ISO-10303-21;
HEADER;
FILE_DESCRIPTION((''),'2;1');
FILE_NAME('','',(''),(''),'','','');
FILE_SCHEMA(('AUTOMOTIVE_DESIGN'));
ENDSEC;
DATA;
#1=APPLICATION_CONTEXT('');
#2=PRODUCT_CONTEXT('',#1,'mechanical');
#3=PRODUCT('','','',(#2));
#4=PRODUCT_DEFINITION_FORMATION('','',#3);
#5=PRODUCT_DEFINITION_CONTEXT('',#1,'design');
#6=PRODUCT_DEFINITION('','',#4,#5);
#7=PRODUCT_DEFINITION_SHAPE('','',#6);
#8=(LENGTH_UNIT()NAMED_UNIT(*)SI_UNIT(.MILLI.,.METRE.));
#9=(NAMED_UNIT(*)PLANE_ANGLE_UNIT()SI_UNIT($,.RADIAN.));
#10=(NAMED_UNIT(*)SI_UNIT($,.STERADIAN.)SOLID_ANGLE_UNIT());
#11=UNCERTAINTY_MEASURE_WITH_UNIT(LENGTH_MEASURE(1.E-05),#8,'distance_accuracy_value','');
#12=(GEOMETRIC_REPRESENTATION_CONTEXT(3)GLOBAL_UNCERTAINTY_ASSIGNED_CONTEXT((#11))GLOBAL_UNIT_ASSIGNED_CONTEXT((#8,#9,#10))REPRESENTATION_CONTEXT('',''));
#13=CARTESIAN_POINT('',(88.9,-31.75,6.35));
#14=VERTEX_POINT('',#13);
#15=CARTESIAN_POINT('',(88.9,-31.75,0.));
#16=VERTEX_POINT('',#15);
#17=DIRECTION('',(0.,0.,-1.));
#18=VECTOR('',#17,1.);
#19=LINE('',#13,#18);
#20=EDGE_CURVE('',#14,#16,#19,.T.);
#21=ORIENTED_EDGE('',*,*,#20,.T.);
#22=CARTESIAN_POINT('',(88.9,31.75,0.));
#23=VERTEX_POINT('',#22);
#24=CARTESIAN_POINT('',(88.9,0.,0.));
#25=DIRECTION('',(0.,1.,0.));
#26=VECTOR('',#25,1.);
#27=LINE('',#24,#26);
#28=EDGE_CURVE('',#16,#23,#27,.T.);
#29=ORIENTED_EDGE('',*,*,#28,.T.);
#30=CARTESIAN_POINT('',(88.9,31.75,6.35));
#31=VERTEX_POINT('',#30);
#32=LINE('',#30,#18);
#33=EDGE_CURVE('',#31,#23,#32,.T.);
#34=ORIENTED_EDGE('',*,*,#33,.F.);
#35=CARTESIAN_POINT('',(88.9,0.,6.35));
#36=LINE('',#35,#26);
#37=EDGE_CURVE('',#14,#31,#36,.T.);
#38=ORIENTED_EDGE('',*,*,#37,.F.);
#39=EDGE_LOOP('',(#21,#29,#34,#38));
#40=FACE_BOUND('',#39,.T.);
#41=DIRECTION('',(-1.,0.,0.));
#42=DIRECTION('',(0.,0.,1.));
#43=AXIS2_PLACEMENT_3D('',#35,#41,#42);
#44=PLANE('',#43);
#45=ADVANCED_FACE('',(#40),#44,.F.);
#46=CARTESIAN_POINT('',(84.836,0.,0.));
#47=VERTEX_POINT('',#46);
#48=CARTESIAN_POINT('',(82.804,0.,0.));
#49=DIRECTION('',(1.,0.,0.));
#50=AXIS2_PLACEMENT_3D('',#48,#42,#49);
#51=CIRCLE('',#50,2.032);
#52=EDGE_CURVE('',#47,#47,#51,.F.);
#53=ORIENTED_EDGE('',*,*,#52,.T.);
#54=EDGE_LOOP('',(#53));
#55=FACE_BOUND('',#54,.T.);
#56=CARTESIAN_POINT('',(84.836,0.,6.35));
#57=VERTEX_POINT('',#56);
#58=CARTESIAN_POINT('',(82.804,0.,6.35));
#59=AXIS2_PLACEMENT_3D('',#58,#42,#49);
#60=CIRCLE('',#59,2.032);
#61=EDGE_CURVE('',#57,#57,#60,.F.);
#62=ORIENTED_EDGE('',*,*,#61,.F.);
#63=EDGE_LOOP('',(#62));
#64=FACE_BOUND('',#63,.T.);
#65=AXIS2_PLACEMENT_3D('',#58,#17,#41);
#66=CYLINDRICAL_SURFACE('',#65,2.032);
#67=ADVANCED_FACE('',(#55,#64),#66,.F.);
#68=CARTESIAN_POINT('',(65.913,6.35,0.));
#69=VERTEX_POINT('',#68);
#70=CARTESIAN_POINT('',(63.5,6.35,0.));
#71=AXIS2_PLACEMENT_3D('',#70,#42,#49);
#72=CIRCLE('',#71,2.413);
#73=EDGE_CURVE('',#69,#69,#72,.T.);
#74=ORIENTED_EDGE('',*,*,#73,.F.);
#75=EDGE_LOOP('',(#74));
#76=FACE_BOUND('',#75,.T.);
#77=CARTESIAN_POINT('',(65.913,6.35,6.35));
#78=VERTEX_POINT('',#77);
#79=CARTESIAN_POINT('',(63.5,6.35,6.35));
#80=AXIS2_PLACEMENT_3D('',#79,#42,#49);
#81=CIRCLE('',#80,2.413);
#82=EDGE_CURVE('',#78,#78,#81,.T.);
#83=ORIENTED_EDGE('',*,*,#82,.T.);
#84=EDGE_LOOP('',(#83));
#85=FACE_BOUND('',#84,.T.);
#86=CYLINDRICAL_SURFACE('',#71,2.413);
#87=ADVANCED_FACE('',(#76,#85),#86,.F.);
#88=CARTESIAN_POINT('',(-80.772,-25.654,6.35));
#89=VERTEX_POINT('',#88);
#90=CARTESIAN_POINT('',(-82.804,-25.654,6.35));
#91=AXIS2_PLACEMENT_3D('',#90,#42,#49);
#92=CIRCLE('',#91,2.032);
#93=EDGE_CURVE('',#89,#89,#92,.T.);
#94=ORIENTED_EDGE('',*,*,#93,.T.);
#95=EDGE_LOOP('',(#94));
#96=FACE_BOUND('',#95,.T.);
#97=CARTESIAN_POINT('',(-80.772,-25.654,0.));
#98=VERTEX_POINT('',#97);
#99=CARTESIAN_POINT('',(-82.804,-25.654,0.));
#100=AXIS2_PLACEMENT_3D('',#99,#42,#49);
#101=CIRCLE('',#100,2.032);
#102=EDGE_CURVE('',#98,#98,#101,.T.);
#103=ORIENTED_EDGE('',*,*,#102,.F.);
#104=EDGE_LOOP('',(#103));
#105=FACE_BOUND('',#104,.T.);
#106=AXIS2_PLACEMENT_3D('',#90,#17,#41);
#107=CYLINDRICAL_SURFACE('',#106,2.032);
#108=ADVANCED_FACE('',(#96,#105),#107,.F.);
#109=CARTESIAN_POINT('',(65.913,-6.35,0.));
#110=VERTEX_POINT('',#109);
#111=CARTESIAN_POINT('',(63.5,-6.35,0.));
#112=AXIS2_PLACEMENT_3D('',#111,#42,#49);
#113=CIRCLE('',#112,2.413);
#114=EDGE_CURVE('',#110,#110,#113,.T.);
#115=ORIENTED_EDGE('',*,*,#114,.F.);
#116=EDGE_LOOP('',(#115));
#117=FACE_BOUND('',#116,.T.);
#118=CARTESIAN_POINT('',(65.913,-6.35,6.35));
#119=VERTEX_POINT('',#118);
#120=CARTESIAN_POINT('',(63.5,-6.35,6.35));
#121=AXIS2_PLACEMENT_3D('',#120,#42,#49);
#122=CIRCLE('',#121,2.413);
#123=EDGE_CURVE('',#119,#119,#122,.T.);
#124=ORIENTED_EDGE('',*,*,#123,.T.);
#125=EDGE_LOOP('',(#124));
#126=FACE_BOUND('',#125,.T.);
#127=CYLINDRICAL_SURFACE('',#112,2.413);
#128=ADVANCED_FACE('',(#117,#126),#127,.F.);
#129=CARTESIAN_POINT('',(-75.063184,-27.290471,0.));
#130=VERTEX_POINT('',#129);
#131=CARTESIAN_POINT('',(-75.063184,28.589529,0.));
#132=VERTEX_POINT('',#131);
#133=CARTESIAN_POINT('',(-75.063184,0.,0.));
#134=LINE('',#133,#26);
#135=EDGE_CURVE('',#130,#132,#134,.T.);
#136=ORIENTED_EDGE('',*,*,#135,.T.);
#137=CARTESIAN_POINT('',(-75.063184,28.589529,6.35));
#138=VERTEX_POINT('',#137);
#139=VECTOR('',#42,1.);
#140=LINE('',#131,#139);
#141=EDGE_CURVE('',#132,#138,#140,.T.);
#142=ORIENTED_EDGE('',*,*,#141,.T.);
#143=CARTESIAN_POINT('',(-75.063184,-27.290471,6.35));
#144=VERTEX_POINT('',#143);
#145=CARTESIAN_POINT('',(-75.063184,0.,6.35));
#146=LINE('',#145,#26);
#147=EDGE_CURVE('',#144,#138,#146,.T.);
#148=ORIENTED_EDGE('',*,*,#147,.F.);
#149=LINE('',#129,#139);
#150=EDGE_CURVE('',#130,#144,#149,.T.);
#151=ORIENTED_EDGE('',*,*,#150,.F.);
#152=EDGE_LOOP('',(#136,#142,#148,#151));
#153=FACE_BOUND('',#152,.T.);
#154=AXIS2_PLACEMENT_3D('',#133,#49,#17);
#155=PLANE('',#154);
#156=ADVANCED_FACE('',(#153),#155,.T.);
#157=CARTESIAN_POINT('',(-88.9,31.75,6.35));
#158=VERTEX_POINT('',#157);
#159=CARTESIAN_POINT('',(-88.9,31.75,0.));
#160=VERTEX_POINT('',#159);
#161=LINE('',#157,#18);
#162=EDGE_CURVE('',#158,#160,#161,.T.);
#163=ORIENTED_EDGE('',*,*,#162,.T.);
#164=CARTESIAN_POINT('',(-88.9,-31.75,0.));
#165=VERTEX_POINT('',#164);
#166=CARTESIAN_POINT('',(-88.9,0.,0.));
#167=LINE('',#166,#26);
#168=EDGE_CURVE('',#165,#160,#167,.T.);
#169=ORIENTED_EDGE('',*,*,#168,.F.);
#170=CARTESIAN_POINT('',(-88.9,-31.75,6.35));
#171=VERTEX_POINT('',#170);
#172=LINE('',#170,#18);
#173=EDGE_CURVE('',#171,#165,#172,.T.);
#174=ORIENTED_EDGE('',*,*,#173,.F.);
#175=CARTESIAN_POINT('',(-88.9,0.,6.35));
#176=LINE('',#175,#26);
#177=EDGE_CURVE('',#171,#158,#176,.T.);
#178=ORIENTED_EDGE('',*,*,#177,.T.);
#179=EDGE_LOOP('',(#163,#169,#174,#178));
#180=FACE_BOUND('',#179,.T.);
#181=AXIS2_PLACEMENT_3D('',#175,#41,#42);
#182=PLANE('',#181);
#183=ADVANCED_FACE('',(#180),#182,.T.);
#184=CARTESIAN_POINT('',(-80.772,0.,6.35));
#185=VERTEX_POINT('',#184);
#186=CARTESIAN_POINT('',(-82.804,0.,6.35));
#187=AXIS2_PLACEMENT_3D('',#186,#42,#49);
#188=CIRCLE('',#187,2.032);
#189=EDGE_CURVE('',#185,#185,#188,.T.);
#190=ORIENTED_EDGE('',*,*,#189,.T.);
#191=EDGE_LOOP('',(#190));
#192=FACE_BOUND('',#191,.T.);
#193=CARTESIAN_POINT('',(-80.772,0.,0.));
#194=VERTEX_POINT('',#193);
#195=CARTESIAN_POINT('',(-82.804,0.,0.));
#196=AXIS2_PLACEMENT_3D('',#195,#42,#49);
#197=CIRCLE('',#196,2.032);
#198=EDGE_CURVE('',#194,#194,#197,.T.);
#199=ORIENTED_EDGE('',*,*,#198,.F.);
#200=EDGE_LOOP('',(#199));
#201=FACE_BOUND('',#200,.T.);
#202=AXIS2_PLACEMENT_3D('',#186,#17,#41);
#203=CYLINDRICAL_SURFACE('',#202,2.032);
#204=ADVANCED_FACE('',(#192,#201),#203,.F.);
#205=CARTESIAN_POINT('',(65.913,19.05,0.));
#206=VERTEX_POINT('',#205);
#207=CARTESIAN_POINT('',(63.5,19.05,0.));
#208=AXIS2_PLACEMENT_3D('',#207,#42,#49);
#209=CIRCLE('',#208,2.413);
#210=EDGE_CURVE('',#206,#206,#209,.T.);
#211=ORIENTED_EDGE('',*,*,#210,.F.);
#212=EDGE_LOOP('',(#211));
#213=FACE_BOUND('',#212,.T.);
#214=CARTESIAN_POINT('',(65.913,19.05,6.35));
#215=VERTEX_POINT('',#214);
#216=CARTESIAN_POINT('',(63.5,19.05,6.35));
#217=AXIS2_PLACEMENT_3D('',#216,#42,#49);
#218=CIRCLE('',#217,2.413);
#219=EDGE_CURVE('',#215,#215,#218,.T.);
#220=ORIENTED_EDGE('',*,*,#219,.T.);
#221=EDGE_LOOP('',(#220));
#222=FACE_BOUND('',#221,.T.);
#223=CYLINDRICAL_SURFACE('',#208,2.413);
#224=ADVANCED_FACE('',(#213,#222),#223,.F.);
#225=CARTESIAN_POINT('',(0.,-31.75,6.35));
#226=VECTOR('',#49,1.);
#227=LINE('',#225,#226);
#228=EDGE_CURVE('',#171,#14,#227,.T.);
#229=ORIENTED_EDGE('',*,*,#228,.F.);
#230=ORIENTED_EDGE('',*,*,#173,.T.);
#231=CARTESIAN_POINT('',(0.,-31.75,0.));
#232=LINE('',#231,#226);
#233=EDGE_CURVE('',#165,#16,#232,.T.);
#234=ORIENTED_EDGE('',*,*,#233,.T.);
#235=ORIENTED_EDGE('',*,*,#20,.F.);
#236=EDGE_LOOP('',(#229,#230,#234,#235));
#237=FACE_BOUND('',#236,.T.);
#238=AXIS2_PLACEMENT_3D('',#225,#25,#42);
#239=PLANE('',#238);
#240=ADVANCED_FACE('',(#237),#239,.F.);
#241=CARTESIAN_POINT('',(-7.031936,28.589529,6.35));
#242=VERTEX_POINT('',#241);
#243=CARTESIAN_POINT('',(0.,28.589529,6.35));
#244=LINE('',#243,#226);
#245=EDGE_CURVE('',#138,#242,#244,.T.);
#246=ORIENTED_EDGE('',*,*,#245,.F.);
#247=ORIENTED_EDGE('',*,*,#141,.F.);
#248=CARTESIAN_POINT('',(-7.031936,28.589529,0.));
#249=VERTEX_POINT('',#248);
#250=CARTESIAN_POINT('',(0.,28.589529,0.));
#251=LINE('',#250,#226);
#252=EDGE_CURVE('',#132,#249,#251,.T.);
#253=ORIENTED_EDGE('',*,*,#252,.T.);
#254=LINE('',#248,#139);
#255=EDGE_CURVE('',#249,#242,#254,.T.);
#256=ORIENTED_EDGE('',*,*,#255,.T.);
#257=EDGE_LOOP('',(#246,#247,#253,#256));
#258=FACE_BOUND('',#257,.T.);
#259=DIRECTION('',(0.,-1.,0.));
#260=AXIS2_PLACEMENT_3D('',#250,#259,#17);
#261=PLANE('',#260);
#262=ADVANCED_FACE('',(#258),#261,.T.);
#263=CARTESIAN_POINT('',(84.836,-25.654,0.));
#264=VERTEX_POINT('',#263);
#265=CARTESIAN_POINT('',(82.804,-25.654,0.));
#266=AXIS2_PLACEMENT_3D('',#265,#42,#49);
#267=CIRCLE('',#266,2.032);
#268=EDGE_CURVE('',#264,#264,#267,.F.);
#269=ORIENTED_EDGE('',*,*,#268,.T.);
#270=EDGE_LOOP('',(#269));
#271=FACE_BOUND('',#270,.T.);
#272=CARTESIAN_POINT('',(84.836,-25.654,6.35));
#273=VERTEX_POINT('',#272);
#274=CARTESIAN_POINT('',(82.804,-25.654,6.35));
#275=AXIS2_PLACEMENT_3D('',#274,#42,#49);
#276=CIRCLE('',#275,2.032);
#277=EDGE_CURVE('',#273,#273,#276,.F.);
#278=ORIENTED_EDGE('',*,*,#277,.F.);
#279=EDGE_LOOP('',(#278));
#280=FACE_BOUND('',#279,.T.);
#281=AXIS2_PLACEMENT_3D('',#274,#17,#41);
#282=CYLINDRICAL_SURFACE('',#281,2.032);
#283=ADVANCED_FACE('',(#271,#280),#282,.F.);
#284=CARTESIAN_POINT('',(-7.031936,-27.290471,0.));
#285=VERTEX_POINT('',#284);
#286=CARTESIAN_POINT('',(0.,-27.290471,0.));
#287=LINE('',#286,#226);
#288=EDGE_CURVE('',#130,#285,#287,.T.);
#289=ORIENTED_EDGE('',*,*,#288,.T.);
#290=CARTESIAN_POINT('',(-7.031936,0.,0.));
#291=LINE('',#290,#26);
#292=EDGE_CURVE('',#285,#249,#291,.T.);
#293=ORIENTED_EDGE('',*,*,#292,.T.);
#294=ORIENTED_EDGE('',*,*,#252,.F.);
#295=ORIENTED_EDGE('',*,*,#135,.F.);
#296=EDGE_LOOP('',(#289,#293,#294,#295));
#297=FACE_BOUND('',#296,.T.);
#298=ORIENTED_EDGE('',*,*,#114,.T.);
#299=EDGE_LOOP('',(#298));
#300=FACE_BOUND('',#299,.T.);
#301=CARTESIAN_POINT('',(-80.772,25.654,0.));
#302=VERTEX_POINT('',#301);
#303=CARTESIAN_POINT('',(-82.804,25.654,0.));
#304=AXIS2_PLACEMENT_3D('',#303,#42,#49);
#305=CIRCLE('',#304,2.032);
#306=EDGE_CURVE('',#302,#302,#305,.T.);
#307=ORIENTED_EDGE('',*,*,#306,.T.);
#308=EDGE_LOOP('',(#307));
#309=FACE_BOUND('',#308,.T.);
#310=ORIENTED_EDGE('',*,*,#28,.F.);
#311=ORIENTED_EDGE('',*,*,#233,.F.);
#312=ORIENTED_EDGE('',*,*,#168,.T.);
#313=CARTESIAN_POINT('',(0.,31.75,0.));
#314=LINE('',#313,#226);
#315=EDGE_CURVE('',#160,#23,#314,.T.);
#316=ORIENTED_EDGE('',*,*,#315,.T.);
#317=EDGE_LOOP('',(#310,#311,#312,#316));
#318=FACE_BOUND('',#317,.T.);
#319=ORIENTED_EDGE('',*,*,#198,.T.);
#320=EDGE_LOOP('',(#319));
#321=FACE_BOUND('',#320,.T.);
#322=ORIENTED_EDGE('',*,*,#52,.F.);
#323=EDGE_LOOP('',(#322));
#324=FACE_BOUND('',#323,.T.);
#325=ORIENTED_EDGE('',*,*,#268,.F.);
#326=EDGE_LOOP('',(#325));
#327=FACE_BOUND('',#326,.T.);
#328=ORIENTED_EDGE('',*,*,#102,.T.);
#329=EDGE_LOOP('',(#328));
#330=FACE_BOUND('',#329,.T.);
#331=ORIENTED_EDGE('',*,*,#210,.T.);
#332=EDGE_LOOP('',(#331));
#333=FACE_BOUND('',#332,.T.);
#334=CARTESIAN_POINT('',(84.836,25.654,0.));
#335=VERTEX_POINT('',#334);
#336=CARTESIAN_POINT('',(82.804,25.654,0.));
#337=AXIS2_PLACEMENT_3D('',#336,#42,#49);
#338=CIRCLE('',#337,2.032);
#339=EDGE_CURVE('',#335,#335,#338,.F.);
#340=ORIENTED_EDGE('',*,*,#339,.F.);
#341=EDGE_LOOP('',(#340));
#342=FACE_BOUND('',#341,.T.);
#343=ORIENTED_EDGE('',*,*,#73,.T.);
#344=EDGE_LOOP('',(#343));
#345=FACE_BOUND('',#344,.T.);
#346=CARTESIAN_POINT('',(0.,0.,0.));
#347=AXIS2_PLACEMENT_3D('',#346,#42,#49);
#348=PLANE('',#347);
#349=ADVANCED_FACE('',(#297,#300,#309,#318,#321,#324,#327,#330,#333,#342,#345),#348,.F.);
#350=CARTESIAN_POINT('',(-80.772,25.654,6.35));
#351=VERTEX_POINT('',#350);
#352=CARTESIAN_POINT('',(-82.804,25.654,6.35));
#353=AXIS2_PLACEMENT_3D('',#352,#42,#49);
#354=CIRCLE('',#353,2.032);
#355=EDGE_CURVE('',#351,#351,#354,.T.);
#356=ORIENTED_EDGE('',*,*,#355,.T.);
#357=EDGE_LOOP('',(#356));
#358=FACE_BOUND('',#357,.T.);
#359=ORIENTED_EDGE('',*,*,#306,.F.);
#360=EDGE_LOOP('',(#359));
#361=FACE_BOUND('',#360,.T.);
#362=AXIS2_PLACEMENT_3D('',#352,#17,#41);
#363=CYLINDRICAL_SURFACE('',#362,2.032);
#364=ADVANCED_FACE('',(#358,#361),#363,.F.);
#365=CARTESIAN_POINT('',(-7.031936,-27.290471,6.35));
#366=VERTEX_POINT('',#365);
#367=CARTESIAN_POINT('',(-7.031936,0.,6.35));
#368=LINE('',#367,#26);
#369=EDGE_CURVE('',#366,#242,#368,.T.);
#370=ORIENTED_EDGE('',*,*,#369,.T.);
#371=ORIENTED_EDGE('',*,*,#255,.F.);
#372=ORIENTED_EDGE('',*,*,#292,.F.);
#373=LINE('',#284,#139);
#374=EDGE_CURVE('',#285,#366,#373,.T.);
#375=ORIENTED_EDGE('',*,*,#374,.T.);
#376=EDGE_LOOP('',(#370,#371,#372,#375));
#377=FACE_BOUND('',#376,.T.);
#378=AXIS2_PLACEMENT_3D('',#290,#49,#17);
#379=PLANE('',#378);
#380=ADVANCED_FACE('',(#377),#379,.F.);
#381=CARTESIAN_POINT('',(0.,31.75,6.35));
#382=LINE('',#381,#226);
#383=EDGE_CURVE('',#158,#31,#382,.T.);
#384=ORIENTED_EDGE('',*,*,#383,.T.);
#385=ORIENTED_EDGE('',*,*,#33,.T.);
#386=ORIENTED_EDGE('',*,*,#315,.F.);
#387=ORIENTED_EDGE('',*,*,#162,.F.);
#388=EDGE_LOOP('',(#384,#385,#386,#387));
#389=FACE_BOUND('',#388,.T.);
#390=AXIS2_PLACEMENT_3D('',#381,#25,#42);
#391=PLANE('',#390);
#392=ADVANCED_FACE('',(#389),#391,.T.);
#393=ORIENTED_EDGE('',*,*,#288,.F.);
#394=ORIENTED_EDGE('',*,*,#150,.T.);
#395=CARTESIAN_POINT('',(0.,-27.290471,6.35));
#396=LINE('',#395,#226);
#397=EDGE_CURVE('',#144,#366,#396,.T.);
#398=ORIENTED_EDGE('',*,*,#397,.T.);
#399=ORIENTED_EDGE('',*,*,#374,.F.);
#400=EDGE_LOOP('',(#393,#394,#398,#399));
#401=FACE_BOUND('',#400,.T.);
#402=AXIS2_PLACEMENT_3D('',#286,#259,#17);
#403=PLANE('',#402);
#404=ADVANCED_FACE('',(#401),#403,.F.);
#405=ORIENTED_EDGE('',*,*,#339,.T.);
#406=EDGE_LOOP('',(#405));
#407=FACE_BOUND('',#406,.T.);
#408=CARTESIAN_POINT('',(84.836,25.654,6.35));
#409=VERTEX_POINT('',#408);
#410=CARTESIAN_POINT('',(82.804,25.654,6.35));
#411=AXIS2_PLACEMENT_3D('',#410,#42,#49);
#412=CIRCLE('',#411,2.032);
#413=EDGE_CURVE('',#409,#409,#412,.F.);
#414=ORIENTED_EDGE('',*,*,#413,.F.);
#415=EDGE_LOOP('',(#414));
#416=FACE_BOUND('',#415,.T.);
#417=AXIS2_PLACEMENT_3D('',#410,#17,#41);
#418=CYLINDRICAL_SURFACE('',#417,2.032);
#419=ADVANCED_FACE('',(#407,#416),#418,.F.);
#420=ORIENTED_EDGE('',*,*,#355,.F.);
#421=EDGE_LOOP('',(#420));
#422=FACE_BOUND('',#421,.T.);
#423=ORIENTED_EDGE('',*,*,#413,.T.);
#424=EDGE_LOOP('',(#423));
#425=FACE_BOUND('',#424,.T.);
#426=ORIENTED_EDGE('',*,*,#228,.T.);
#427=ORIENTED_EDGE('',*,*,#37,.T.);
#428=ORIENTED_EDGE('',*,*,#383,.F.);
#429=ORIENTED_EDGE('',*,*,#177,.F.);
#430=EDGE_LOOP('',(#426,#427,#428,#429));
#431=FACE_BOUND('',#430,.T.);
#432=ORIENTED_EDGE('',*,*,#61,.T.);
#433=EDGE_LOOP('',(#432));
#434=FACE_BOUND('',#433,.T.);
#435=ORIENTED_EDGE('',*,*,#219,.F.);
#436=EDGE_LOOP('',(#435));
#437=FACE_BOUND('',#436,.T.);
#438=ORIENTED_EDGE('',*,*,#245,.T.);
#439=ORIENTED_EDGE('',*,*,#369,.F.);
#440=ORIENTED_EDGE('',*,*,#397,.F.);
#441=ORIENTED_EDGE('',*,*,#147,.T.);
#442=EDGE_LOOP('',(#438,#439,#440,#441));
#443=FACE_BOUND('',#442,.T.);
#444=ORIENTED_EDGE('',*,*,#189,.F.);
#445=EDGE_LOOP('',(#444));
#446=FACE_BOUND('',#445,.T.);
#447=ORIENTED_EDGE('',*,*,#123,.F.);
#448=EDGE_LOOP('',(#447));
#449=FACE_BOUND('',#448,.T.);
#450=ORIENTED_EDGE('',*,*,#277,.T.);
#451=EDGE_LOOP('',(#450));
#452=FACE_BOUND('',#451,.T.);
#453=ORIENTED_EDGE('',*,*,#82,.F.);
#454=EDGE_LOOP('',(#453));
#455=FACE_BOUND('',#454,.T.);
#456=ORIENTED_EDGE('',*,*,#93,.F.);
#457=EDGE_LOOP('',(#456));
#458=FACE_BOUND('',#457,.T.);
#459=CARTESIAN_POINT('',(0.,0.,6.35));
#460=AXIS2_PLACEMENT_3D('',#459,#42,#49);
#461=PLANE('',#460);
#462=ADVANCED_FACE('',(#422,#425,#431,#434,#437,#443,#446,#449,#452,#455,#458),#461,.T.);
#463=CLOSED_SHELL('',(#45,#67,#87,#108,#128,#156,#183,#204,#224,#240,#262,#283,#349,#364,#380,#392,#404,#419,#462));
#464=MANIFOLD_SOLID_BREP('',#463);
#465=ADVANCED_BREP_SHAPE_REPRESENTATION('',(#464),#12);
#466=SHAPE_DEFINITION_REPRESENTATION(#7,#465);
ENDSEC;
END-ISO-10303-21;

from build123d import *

# Parameters (mm, degrees)
SKETCH1_W           = 177.8
SKETCH1_H           = 63.5
SKETCH1_R           = 2.032
BOSS_EXTRUDE1_DEPTH = 6.35
CUT_EXTRUDE1_DEPTH  = 6.35
SKETCH3_R           = 2.413
CUT_EXTRUDE2_DEPTH  = 6.35
LPATTERN1_COUNT     = 3
LPATTERN1_PITCH     = 12.7


with BuildPart() as part:
    # Sketch1 → Boss-Extrude1 (new body)
    with BuildSketch(Plane.XY):
        Rectangle(SKETCH1_W, SKETCH1_H)
        with Locations((-82.804, 25.654)):
            Circle(SKETCH1_R, mode=Mode.SUBTRACT)
        with Locations((-82.804, 0)):
            Circle(SKETCH1_R, mode=Mode.SUBTRACT)
        with Locations((-82.804, -25.654)):
            Circle(SKETCH1_R, mode=Mode.SUBTRACT)
        with Locations((82.804, -25.654)):
            Circle(SKETCH1_R, mode=Mode.SUBTRACT)
        with Locations((82.804, 0)):
            Circle(SKETCH1_R, mode=Mode.SUBTRACT)
        with Locations((82.804, 25.654)):
            Circle(SKETCH1_R, mode=Mode.SUBTRACT)
    extrude(amount=BOSS_EXTRUDE1_DEPTH)

    # Sketch2 → Cut-Extrude1 (cut)
    with BuildSketch(Plane.XY.offset(6.35)):
        Polygon((-75.063183589, 28.589529071), (-75.063183589, -27.290470929), (-51.281087561, -27.290470929), (-50.94437734, 0.649529071), (-50.94437734, 28.589529071), align=None)
        Polygon((-50.94437734, 0.649529071), (-51.281087561, -27.290470929), (-7.031936064, -27.290470929), (-7.031936064, 28.589529071), (-50.94437734, 28.589529071), align=None)
    extrude(amount=-CUT_EXTRUDE1_DEPTH, mode=Mode.SUBTRACT)

    # Sketch3 → Cut-Extrude2 (cut)
    with BuildSketch(Plane.XY.offset(6.35)):
        with Locations((63.5, 19.05)):
            Circle(SKETCH3_R)
    cut_extrude2 = extrude(amount=-CUT_EXTRUDE2_DEPTH, mode=Mode.SUBTRACT)

    # LPattern1: Cut-Extrude2 ×3
    with Locations(*[(0, -i * LPATTERN1_PITCH, 0) for i in range(1, LPATTERN1_COUNT)]):
        add(cut_extrude2, mode=Mode.SUBTRACT)


solid = part.part
